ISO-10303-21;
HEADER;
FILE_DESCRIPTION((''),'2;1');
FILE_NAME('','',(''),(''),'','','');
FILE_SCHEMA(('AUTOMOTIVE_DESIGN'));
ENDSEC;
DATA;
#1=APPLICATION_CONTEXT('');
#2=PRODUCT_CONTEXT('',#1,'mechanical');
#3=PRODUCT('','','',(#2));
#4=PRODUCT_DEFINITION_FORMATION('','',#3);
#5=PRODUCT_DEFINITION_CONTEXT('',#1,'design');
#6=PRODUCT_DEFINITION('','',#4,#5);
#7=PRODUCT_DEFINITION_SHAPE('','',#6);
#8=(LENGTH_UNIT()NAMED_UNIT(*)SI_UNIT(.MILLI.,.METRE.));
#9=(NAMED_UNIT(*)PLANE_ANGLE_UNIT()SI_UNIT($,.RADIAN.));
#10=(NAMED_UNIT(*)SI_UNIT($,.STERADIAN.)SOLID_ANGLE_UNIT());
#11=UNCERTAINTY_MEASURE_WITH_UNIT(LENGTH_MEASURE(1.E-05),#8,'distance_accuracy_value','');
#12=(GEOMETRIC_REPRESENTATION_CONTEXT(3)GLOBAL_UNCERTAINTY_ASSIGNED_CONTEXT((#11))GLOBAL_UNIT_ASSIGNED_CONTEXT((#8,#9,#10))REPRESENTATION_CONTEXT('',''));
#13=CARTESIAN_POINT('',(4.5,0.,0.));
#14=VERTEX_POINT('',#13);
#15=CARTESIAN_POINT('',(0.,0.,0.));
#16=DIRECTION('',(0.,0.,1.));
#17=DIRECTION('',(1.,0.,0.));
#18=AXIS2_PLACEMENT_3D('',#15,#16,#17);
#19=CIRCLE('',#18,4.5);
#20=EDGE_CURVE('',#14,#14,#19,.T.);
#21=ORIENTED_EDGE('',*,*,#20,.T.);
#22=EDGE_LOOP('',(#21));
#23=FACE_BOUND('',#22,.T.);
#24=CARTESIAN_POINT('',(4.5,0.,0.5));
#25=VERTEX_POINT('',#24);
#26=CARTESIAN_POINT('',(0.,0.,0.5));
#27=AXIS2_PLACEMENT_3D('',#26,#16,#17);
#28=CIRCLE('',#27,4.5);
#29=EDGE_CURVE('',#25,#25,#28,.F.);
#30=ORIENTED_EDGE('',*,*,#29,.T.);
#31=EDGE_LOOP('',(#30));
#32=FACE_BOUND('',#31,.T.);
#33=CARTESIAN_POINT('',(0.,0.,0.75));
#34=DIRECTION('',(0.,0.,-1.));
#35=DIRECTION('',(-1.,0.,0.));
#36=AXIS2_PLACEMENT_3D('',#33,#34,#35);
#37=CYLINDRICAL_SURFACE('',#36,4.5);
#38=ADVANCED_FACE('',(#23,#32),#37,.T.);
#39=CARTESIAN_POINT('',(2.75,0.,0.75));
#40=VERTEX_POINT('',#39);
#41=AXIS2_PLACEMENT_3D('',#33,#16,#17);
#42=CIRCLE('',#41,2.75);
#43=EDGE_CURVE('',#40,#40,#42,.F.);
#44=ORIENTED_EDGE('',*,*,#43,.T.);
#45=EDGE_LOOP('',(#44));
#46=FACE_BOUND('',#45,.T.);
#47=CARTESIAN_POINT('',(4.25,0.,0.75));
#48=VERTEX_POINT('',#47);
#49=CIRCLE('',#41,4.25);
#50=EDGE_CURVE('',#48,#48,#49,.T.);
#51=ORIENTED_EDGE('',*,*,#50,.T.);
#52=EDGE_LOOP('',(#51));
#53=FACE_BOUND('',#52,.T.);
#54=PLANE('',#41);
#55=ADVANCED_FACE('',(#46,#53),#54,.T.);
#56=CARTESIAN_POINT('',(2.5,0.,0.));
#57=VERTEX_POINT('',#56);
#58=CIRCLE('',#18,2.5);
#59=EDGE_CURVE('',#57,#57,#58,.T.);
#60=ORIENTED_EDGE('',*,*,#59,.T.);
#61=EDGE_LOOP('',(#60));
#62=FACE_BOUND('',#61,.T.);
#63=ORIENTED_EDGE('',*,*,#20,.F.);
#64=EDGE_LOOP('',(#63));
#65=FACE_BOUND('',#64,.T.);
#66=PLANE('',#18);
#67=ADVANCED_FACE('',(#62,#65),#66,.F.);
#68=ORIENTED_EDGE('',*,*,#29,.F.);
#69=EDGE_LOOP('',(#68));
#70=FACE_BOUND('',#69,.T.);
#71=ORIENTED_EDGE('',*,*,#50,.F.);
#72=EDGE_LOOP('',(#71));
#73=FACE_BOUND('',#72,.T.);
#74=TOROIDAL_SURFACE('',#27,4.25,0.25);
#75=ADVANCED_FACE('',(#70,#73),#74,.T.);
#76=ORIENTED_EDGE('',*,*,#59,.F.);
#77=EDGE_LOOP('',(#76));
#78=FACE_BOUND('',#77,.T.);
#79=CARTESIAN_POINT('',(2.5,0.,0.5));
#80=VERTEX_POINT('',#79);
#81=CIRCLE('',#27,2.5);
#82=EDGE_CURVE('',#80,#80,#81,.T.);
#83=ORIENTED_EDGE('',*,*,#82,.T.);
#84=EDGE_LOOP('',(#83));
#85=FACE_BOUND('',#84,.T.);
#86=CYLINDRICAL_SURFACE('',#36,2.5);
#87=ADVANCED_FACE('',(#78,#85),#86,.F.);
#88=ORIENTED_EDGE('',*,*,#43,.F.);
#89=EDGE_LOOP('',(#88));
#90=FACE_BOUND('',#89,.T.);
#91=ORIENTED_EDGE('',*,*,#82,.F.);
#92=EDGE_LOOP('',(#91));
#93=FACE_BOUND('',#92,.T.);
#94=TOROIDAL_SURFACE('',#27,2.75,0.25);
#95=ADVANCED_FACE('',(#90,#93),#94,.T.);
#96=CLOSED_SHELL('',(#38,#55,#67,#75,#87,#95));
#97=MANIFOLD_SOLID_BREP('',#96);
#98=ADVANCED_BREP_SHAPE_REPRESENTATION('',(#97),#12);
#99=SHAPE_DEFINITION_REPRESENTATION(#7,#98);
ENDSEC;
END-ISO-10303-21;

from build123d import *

# Parameters (mm, degrees)
SKETCH1_R           = 4.5
SKETCH1_R_2         = 2.5
BOSS_EXTRUDE1_DEPTH = 0.75
FILLET1_R           = 0.25


with BuildPart() as part:
    # Sketch1 → Boss-Extrude1 (new body)
    with BuildSketch(Plane.XY):
        Circle(SKETCH1_R)
        Circle(SKETCH1_R_2, mode=Mode.SUBTRACT)
    extrude(amount=BOSS_EXTRUDE1_DEPTH)

    # Fillet1
    fillet1_edges = [part.edges().sort_by_distance(p)[0] for p in [
        (-4.5, 0, 0.75),
        (-2.5, 0, 0.75),
    ]]
    fillet(fillet1_edges, radius=FILLET1_R)


solid = part.part
